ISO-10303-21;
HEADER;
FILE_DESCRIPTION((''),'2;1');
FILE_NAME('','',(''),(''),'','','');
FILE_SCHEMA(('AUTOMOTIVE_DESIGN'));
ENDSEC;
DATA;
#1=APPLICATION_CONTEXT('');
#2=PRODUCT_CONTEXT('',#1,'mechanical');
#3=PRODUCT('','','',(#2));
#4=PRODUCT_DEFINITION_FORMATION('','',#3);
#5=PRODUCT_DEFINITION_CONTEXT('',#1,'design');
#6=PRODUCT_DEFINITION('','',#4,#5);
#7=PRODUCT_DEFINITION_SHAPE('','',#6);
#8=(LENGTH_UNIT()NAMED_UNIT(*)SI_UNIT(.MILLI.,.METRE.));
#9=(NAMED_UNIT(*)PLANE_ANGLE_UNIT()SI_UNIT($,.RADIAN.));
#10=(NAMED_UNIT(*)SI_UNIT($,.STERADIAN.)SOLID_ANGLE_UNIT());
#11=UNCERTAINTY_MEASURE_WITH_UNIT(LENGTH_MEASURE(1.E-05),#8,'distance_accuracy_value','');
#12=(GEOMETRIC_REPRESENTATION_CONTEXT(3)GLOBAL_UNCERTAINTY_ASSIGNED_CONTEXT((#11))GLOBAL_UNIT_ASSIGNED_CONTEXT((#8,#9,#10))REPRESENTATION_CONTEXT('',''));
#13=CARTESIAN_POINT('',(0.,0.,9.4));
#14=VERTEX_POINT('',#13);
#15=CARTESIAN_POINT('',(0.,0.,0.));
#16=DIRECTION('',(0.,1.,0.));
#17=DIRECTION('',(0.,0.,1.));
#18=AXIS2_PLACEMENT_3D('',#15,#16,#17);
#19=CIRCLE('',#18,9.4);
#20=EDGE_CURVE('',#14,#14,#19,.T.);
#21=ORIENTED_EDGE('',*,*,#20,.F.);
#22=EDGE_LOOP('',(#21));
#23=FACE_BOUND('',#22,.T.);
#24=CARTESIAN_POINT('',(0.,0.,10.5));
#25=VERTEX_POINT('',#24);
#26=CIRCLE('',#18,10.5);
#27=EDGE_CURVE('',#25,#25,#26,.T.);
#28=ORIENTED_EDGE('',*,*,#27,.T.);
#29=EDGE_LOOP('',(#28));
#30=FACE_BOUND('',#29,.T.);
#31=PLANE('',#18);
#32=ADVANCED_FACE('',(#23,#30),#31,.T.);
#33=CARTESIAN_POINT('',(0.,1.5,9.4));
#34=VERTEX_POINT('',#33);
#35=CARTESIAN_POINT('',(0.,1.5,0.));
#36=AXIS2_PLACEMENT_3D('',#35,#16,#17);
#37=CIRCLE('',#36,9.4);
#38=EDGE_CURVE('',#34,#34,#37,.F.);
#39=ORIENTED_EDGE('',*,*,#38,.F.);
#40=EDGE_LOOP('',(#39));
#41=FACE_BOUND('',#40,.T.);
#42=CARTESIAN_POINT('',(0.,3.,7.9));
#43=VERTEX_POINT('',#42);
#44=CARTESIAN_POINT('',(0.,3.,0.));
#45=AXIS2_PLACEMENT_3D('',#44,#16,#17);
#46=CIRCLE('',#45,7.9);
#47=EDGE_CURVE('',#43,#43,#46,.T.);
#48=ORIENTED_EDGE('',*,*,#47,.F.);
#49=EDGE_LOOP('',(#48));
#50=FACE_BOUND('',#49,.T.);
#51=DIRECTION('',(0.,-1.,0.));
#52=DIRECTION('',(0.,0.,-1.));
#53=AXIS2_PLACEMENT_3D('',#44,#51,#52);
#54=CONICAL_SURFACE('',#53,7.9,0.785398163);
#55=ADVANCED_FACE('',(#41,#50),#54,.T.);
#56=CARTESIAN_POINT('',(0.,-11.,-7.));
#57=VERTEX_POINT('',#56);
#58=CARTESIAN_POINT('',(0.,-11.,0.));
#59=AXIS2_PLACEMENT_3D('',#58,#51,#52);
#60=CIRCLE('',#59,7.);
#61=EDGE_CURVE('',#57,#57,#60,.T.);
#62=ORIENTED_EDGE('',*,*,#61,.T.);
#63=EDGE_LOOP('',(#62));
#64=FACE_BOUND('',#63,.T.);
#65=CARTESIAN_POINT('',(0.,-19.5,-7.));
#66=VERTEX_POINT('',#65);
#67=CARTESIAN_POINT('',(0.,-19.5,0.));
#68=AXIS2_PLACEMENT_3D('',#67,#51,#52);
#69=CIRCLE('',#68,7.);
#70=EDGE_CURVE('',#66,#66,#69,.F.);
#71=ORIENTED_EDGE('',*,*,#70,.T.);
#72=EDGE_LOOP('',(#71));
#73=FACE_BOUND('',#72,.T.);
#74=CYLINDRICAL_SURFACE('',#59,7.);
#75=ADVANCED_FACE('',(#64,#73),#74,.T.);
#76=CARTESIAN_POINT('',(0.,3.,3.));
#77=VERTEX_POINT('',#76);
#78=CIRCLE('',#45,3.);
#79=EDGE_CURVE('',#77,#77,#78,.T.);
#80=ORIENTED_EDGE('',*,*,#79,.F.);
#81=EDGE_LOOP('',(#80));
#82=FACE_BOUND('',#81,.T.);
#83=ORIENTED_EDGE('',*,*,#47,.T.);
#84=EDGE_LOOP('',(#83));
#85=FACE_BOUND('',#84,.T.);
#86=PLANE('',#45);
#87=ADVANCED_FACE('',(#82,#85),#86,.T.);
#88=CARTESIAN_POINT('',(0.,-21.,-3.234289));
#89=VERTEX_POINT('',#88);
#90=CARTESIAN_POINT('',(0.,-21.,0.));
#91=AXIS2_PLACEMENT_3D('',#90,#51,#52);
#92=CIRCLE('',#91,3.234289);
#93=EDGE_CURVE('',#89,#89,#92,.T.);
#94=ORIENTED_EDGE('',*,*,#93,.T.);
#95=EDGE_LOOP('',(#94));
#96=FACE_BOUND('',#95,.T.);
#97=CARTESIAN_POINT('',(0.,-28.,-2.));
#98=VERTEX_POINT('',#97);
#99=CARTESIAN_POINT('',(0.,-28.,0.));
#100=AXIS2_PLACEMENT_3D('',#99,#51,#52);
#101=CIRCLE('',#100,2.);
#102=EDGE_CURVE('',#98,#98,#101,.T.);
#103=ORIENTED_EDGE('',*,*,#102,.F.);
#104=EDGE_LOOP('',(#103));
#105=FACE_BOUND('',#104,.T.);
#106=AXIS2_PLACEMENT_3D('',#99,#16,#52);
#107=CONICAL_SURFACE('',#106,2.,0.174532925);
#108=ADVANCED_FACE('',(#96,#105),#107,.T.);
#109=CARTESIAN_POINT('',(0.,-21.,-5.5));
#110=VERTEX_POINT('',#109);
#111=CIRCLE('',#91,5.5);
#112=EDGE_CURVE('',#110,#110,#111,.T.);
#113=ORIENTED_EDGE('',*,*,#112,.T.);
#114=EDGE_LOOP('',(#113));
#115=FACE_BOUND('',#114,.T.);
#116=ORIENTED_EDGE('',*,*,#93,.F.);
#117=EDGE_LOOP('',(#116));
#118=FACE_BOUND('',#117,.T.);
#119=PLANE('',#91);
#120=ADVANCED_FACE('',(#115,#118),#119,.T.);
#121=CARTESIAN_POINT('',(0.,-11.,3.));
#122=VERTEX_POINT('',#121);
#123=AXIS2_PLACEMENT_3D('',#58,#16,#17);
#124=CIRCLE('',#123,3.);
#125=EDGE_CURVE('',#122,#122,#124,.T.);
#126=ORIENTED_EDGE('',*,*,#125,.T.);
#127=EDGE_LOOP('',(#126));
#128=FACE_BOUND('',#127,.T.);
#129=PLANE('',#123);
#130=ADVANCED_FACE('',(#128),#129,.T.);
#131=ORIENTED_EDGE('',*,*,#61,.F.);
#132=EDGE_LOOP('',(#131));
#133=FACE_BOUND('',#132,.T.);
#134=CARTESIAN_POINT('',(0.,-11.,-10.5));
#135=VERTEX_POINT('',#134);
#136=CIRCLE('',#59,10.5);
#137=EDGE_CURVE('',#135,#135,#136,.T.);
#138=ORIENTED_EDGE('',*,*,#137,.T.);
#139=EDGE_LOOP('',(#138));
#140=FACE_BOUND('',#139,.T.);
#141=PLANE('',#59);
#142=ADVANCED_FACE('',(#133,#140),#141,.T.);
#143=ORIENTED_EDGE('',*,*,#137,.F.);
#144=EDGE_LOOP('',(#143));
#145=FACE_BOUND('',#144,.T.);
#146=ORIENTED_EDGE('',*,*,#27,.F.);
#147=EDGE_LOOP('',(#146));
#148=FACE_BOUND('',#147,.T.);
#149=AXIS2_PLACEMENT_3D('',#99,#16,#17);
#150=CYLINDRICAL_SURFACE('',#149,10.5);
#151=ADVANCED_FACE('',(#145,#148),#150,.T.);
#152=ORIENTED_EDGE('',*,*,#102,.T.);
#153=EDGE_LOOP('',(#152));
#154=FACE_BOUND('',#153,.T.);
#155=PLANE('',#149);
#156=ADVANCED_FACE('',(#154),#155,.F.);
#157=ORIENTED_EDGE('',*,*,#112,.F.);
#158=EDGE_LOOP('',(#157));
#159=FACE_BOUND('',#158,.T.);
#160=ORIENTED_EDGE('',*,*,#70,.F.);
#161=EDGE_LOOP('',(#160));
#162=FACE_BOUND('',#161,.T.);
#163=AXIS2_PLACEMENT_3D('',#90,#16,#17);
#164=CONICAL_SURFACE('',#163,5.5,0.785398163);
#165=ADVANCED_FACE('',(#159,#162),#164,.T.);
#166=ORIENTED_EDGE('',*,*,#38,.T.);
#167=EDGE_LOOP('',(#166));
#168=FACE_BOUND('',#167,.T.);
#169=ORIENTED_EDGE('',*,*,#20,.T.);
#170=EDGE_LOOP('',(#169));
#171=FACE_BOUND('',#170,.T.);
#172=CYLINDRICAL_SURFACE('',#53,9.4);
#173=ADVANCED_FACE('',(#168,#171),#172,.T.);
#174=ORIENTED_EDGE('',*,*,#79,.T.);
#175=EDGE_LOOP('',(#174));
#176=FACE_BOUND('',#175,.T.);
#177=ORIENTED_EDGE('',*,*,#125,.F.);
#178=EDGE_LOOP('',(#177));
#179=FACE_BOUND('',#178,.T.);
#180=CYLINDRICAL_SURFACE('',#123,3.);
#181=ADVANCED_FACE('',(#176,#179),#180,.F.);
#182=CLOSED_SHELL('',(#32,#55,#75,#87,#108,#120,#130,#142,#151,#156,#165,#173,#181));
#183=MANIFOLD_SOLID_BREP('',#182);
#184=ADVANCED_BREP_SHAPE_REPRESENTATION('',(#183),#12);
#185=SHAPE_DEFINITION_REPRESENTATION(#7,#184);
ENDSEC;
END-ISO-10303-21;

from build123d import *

# Parameters (mm, degrees)
SKETCH_1_R          = 10.5
EXTRUDE_1_DEPTH     = 28
SKETCH_4_R          = 9.4
EXTRUDE_3_DEPTH     = 3
CHAMFER_2_SIZE      = 1.5
SKETCH_5_R          = 3
CUT_EXTRUDE_2_DEPTH = 14
CUT_EXTRUDE_START   = -17
SKETCH_6_R          = 10.5
SKETCH_6_R_2        = 7
CUT_EXTRUDE_3_DEPTH = 17
CUT_EXTRUDE_START_2 = -7
SKETCH_7_R          = 7
SKETCH_7_R_2        = 2
CUT_EXTRUDE_4_DEPTH = 7
CHAMFER_3_SIZE      = 1.5
DRAFT_3_ANGLE       = 10


with BuildPart() as part:
    # Эскиз1 → Бобышка-Вытянуть1 (new body)
    with BuildSketch(Plane(origin=(0, 0, 0), x_dir=(1, 0, 0), z_dir=(0, 1, 0))):
        with Locations(Location((0, 0, 0), (0, 0, 270))):
            Circle(SKETCH_1_R)
    extrude(amount=-EXTRUDE_1_DEPTH)

    # Эскиз4 → Бобышка-Вытянуть3 (add)
    with BuildSketch(Plane(origin=(0, 0, 0), x_dir=(1, 0, 0), z_dir=(0, 1, 0))):
        with Locations(Location((0, 0, 0), (0, 0, 270))):
            Circle(SKETCH_4_R)
    extrude(amount=EXTRUDE_3_DEPTH)

    # Фаска2
    chamfer_2_edges = [part.edges().sort_by_distance(p)[0] for p in [
        (0, 3, -9.4),
    ]]
    chamfer(chamfer_2_edges, length=CHAMFER_2_SIZE)

    # Эскиз5 → Вырез-Вытянуть2 (cut)
    with BuildSketch(Plane(origin=(0, 3, 0), x_dir=(1, 0, 0), z_dir=(0, 1, 0))):
        with Locations(Location((0, 0, 0), (0, 0, 270))):
            Circle(SKETCH_5_R)
    extrude(amount=-CUT_EXTRUDE_2_DEPTH, mode=Mode.SUBTRACT)

    # Эскиз6 → Вырез-Вытянуть3 (cut)
    with BuildSketch(Plane.XZ.offset(28).offset(CUT_EXTRUDE_START)):
        with Locations(Location((0, 0, 0), (0, 0, 90))):
            Circle(SKETCH_6_R)
        with Locations(Location((0, 0, 0), (0, 0, 270))):
            Circle(SKETCH_6_R_2, mode=Mode.SUBTRACT)
    extrude(amount=CUT_EXTRUDE_3_DEPTH, mode=Mode.SUBTRACT)

    # Эскиз7 → Вырез-Вытянуть4 (cut)
    with BuildSketch(Plane.XZ.offset(28).offset(CUT_EXTRUDE_START_2)):
        with Locations(Location((0, 0, 0), (0, 0, 270))):
            Circle(SKETCH_7_R)
        with Locations(Location((0, 0, 0), (0, 0, 270))):
            Circle(SKETCH_7_R_2, mode=Mode.SUBTRACT)
    extrude(amount=CUT_EXTRUDE_4_DEPTH, mode=Mode.SUBTRACT)

    # Фаска3
    chamfer_3_edges = [part.edges().sort_by_distance(p)[0] for p in [
        (0, -21, 7),
    ]]
    chamfer(chamfer_3_edges, length=CHAMFER_3_SIZE)

    # Уклон3
    draft_3_faces = [part.faces().sort_by_distance(p)[0] for p in [
        (0, -24.5, 2),
    ]]
    draft(draft_3_faces, Plane(origin=(0, -28, 0), x_dir=(0, 0, -1), z_dir=(0, -1, 0)), DRAFT_3_ANGLE)


solid = part.part
